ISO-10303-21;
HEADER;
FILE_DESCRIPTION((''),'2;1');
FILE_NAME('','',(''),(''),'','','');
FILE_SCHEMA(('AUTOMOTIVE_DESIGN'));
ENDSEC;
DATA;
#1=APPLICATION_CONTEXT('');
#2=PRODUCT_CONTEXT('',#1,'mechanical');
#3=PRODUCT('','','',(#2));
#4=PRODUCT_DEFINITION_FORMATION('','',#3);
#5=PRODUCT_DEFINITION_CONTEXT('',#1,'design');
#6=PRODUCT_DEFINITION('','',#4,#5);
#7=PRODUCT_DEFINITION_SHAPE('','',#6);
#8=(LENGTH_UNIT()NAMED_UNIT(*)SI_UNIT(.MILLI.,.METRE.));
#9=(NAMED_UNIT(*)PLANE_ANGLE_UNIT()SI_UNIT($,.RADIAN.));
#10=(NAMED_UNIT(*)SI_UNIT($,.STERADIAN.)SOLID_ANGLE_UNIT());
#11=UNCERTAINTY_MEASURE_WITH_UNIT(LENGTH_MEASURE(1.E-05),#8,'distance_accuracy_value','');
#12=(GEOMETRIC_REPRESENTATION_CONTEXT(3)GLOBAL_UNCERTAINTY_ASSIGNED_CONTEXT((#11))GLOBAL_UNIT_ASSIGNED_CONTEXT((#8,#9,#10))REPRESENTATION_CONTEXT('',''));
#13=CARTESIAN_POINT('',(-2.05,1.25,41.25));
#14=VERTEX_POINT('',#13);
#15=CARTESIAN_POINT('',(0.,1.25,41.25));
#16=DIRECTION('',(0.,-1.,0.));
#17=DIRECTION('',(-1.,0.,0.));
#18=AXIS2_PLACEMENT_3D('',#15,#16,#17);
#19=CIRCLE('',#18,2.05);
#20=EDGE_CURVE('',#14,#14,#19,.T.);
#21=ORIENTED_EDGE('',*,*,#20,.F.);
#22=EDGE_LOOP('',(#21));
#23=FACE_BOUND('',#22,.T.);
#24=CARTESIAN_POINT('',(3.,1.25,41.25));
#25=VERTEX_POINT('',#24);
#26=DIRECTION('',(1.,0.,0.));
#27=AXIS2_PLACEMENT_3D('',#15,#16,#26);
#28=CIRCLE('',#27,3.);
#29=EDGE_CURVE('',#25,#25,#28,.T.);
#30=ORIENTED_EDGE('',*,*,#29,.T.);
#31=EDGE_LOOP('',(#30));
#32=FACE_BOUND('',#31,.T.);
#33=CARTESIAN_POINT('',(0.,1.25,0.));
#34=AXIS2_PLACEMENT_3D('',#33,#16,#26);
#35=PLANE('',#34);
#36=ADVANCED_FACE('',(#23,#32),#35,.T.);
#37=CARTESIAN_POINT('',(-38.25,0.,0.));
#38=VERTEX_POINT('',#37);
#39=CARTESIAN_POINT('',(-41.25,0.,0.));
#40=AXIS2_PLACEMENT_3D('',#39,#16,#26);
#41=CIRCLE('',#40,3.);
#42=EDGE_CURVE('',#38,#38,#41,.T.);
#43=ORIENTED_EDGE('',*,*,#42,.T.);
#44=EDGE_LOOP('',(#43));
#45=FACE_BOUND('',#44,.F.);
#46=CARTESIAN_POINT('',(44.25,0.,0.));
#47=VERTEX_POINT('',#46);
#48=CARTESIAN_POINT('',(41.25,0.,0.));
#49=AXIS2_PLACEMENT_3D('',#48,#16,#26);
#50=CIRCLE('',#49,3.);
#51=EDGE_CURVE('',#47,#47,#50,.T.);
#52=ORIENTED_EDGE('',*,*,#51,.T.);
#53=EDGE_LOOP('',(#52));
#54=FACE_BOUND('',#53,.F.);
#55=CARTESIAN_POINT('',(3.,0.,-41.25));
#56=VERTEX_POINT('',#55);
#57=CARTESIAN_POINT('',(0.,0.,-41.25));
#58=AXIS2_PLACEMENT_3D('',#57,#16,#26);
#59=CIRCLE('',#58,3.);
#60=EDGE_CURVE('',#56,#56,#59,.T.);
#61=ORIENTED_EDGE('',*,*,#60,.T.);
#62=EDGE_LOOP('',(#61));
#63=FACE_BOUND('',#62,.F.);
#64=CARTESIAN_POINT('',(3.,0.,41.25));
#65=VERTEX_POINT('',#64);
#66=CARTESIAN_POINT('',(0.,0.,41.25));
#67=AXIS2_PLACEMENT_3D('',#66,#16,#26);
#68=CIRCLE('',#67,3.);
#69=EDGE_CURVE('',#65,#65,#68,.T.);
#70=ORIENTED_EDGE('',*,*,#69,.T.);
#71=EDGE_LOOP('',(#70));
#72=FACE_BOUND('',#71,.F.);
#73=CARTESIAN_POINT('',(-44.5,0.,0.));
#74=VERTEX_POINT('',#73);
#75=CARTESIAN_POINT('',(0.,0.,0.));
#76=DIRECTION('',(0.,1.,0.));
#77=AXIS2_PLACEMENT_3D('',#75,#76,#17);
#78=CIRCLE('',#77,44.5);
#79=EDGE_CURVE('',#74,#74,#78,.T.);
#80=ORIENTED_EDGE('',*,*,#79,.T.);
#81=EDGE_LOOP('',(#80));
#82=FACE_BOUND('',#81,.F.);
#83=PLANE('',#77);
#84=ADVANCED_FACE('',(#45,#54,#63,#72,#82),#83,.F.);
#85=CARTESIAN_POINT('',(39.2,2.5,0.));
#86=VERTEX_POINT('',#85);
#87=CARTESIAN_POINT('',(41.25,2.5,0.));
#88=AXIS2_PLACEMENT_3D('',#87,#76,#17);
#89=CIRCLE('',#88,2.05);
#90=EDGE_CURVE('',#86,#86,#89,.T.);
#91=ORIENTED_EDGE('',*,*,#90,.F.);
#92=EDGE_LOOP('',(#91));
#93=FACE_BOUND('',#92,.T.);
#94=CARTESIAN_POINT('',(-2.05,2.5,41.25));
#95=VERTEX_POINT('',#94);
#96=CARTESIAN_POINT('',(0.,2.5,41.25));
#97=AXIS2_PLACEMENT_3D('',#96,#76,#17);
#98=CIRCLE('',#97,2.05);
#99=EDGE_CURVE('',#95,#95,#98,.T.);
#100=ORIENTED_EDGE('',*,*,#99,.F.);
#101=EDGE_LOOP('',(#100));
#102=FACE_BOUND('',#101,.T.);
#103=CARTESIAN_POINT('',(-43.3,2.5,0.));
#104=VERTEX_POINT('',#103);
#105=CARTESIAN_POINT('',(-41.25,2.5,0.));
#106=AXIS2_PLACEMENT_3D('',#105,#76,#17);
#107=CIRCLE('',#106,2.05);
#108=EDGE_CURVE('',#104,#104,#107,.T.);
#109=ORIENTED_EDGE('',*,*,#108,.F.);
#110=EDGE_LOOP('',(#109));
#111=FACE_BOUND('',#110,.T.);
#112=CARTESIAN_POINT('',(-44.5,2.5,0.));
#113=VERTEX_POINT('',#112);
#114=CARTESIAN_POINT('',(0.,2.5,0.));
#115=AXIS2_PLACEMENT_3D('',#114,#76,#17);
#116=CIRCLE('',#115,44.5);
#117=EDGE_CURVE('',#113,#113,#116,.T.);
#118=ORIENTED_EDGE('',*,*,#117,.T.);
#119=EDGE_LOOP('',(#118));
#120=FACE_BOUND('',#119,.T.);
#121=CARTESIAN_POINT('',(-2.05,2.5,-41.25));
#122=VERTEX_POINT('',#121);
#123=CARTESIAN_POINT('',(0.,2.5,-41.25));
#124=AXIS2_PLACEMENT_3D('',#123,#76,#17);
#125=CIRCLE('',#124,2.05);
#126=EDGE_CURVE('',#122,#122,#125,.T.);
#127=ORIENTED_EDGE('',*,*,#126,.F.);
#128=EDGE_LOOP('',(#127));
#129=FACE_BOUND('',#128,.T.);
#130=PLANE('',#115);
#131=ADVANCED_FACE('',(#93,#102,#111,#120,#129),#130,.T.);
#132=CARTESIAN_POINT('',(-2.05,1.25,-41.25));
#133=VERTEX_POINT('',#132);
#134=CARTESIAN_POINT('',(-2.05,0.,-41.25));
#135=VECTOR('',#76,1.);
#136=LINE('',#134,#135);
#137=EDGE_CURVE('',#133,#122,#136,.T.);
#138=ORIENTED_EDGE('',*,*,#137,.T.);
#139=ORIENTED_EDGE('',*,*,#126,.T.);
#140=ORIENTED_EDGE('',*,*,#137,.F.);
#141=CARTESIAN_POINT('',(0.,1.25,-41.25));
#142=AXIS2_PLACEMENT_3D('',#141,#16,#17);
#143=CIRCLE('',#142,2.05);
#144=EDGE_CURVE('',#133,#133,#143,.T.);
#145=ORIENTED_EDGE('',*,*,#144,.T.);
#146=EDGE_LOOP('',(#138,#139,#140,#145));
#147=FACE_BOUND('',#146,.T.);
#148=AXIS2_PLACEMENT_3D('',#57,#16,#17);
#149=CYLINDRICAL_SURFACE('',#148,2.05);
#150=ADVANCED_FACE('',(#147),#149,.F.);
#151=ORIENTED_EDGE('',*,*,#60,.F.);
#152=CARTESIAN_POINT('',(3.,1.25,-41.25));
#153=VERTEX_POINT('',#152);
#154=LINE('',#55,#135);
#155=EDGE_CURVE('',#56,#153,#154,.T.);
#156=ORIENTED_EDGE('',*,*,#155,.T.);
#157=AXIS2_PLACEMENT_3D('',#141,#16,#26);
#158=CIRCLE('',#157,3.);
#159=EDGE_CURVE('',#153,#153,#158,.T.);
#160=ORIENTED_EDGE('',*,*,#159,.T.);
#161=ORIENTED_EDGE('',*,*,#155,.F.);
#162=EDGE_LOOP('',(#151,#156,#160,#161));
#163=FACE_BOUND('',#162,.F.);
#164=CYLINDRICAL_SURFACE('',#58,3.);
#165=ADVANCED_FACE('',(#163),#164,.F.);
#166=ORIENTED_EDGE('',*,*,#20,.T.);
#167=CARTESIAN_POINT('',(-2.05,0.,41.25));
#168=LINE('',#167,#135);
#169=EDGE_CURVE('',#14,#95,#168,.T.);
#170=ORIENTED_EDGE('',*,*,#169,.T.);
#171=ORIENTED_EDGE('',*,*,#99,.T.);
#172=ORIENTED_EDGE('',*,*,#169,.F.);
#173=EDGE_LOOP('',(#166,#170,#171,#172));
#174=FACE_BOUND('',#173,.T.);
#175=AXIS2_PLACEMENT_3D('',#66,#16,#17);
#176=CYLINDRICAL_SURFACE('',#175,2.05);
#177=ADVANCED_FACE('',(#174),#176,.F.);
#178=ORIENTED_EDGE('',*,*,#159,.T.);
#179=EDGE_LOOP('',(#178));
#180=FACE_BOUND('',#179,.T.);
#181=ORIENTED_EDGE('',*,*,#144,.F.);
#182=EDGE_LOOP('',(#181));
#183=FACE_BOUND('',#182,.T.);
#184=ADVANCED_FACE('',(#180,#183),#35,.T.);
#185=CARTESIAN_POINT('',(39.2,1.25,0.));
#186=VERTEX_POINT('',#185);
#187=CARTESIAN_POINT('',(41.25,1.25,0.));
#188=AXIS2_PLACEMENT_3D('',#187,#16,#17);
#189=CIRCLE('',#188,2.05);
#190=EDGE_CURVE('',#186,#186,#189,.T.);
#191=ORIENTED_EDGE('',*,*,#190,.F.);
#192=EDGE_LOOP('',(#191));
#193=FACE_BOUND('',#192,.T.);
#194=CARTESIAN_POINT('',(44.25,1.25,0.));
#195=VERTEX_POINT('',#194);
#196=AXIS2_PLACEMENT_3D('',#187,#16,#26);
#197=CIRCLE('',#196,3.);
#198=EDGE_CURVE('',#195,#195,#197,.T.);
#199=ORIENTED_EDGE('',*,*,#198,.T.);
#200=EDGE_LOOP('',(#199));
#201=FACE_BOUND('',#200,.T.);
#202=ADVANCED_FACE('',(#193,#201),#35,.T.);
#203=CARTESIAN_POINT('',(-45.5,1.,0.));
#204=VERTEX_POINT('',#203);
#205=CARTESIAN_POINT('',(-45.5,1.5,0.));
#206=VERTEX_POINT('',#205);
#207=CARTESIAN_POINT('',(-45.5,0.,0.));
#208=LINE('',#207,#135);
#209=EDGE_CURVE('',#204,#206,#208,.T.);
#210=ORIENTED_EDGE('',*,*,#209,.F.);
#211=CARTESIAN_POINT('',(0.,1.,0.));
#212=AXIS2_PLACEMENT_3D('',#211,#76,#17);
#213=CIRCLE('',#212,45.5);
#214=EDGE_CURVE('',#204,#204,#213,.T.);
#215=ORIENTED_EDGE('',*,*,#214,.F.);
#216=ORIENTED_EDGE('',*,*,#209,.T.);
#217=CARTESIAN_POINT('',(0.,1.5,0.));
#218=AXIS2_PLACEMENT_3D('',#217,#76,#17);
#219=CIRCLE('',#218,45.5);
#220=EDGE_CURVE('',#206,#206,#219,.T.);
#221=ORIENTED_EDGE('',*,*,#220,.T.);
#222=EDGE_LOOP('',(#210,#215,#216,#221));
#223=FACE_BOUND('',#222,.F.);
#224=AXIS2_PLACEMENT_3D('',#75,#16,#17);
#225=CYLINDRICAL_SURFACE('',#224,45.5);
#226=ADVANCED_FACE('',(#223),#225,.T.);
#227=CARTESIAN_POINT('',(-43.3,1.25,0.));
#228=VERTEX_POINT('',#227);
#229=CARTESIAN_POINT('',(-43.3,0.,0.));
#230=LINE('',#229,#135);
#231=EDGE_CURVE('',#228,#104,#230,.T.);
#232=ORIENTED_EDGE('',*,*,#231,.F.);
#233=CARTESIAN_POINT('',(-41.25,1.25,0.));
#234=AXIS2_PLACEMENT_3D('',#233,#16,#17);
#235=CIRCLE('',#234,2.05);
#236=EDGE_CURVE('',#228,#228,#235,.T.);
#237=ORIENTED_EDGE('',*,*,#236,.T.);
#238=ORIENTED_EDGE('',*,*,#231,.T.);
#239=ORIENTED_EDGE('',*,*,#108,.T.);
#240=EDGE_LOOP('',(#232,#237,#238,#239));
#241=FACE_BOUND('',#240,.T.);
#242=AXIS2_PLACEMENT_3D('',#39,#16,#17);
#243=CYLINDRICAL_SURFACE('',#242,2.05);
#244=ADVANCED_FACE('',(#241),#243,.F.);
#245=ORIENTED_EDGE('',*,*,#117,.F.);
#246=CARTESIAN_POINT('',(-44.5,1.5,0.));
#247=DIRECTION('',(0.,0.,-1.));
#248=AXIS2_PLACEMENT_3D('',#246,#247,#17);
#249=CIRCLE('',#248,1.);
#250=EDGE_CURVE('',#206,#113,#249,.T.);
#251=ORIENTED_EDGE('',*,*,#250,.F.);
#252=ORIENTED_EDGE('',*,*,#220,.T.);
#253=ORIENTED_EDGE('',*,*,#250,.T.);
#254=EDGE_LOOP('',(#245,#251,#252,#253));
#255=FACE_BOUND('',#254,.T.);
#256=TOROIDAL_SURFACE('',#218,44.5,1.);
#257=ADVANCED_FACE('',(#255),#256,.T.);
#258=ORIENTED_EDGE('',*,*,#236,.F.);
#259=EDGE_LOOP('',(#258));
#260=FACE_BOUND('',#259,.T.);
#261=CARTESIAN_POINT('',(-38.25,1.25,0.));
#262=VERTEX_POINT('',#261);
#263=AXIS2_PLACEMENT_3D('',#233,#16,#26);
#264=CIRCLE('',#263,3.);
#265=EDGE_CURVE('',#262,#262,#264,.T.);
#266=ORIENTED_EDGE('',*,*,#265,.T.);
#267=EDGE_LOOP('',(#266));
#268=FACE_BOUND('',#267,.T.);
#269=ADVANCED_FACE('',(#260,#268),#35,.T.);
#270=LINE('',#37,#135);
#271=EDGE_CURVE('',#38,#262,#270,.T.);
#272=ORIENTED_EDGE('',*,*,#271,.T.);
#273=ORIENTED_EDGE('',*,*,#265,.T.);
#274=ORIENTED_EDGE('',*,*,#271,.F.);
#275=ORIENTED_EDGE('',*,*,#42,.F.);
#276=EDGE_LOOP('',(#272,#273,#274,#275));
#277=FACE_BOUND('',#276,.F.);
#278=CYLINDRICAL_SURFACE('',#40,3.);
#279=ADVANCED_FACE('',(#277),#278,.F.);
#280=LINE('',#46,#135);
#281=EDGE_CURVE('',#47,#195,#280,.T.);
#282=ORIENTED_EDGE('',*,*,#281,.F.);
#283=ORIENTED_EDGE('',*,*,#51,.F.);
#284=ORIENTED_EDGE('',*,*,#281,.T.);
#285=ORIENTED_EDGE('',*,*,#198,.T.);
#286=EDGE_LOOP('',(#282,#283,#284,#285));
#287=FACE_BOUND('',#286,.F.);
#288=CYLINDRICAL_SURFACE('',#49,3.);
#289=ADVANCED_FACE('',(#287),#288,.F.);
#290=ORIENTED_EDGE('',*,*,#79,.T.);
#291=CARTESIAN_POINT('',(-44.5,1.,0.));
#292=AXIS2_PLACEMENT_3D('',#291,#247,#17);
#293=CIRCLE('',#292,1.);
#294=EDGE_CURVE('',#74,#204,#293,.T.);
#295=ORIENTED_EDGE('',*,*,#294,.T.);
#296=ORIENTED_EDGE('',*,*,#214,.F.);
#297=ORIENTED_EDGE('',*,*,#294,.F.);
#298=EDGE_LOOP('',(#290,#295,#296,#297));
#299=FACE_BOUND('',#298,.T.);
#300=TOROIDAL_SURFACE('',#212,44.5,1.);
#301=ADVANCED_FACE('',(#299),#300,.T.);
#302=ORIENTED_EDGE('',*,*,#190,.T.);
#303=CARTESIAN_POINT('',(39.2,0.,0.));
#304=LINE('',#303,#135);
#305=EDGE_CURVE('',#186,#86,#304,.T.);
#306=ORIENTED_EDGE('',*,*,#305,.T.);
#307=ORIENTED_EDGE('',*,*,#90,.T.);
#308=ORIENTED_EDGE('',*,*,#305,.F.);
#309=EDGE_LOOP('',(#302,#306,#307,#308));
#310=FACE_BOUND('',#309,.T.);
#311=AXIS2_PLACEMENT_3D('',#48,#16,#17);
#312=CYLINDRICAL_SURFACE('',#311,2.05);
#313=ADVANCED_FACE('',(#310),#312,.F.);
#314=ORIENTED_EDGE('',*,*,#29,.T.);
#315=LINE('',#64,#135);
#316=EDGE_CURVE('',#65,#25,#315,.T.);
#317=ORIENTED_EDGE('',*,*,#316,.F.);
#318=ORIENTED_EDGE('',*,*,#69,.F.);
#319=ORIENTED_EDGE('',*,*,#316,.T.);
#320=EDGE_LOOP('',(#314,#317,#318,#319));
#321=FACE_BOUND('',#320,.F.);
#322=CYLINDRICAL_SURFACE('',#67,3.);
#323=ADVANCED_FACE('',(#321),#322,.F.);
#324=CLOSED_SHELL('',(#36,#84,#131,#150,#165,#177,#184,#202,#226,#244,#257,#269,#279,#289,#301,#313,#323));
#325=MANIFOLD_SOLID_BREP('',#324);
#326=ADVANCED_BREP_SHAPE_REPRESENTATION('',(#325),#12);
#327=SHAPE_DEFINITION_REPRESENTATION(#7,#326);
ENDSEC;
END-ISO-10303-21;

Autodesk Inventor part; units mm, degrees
ref_plane "YZ Plane" through (0, 0, 0) normal (1, 0, 0) x (0, 1, 0)
ref_plane "XZ Plane" through (0, 0, 0) normal (0, 1, 0) x (-1, 0, 0)
ref_plane "XY Plane" through (0, 0, 0) normal (0, 0, 1) x (1, 0, 0)
sketch "Sketch4" plane through (0, 0, 0) normal (0, 1, 0) x (-1, 0, 0)
  circle A0 centre (-1.9122, 1.2943) radius 36.25 projected
  circle A1 centre (0, 0) radius 45.5
  circle A2 centre (41.25, 0) radius 2.05
  circle A3 centre (0, 41.25) radius 2.05
  circle A4 centre (-41.25, 0) radius 2.05
  circle A5 centre (0, -41.25) radius 2.05
  dimension "d18" = 91
  dimension "d20" = 4.1
  dimension "d23" = 360
extrude "Extrusion4" add sketch "Sketch4" along normal blind 2.5 contours A0 | A1
sketch "Sketch5" plane through (0, 0, 0) normal (0, -1, 0) x (1, 0, 0)
  circle A0 centre (-41.25, 0) radius 2.05 projected
  circle A1 centre (0, 41.25) radius 2.05 projected
  circle A2 centre (41.25, 0) radius 2.05 projected
  circle A3 centre (0, -41.25) radius 2.05 projected
  circle A4 centre (-41.25, 0) radius 3
  circle A5 centre (0, 41.25) radius 3
  circle A6 centre (41.25, 0) radius 3
  circle A7 centre (0, -41.25) radius 3
  point P0 (0, 0)
  dimension "d27" = 6
  dimension "d28" = 6
  dimension "d29" = 6
  dimension "d30" = 6
extrude "Extrusion5" cut sketch "Sketch5" against normal blind 1.25 contours A0 | A1 | A2 | A3 | A4 | A5 | A6 | A7
fillet "Fillet2" radius 1 2 edges at (45.5, 0, 0) (45.5, 2.5, 0)
properties part number "Base_Cover" material "Acetal Resin, White"
